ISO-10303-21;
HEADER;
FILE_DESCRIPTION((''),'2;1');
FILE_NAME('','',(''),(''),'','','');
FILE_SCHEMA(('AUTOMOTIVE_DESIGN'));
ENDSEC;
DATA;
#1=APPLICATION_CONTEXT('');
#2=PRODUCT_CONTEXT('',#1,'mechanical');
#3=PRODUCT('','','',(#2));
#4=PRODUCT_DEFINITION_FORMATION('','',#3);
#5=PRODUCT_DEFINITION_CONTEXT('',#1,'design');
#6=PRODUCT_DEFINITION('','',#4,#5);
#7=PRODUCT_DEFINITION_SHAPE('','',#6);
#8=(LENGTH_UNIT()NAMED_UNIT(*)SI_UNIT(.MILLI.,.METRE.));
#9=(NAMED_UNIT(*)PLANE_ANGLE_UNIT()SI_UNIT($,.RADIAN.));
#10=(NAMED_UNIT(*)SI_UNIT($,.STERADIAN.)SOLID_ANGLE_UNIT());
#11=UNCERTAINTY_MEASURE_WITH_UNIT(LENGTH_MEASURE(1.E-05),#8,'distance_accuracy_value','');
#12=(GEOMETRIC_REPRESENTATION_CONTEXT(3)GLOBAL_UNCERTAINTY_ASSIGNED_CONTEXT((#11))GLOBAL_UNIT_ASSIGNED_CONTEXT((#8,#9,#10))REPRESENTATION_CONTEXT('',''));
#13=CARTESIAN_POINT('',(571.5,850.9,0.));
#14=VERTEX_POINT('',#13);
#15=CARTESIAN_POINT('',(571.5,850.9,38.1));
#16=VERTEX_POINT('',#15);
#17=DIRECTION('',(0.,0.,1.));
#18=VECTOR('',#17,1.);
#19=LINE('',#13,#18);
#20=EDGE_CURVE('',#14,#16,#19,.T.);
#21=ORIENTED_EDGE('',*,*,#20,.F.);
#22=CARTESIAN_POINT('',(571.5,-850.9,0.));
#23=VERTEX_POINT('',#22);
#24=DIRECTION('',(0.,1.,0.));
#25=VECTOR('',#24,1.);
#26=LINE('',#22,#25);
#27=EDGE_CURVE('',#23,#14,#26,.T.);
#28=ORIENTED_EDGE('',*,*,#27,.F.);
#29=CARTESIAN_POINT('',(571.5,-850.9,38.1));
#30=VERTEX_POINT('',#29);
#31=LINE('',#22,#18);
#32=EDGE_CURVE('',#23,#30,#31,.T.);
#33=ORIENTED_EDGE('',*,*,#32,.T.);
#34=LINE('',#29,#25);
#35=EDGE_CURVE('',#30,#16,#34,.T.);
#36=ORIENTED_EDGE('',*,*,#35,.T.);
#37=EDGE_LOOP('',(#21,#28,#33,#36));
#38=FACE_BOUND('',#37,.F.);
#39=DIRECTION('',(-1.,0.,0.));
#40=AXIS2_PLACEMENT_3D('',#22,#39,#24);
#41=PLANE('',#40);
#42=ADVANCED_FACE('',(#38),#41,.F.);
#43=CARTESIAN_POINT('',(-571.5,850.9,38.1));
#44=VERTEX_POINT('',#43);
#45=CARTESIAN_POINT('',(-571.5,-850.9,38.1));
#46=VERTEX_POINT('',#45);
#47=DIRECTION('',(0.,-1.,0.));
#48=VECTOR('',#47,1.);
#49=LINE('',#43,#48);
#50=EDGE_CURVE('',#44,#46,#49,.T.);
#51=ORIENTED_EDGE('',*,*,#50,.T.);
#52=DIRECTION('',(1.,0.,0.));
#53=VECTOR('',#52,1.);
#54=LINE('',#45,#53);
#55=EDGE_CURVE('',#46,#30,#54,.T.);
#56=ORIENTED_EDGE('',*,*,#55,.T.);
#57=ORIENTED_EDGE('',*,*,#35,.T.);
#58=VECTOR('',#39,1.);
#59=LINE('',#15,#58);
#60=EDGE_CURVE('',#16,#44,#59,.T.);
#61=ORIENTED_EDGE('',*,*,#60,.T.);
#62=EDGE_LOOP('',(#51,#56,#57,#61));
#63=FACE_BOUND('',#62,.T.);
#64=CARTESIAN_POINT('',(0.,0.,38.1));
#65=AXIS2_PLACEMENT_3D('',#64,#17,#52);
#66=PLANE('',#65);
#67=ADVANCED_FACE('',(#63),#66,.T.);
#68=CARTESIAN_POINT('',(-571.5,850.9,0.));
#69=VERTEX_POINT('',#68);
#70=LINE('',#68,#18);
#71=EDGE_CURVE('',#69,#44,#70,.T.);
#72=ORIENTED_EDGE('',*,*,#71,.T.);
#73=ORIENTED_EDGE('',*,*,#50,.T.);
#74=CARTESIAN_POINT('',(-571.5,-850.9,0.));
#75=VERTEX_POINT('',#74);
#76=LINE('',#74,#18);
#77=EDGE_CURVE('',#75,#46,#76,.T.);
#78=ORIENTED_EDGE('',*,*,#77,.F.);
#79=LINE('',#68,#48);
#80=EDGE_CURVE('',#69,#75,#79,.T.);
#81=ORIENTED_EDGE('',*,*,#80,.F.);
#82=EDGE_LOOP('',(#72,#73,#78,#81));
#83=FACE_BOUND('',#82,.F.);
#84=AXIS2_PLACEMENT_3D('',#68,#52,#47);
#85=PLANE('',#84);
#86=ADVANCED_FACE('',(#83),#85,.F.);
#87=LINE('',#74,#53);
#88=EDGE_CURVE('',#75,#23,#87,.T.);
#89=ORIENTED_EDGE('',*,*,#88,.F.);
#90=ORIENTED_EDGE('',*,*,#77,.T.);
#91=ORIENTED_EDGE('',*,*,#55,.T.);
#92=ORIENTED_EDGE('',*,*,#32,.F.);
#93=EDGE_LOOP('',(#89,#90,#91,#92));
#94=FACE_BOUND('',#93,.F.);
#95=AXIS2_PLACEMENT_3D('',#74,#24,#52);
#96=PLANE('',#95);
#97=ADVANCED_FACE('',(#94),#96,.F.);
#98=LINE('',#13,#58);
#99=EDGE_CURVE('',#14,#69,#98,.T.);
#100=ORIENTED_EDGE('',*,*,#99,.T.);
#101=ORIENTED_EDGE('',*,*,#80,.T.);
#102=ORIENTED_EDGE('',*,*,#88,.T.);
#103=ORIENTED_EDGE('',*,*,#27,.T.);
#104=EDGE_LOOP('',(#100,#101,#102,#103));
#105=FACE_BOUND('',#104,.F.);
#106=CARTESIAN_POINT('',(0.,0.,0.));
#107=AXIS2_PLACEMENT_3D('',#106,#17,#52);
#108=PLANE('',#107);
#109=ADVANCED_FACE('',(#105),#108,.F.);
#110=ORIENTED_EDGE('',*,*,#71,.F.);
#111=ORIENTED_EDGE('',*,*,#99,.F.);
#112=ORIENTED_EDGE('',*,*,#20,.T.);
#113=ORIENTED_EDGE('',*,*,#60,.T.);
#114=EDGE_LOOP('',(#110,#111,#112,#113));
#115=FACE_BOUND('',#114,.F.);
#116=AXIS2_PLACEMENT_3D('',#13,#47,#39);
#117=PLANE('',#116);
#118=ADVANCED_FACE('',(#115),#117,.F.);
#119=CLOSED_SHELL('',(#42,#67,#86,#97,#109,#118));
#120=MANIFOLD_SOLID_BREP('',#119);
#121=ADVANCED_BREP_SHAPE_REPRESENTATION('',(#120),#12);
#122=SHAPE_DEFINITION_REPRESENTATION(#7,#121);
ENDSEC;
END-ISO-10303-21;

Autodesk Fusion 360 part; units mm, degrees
sketch "Sketch1" plane through (0, 0, 0) normal (0, 0, 1) x (1, 0, 0)
  line L0 (571.5, 850.9) -> (-571.5, 850.9)
  line L1 (-571.5, 850.9) -> (-571.5, -850.9)
  line L2 (-571.5, -850.9) -> (571.5, -850.9)
  line L3 (571.5, -850.9) -> (571.5, 850.9)
  line L4 (571.5, 850.9) -> (-571.5, -850.9) construction
  line L5 (-571.5, 850.9) -> (571.5, -850.9) construction
  dimension "d1" = 1143
  dimension "d2" = 1701.8
extrude "Extrude1" add sketch "Sketch1" along normal blind 38.1
equation "d2 = 134 in / 2"
